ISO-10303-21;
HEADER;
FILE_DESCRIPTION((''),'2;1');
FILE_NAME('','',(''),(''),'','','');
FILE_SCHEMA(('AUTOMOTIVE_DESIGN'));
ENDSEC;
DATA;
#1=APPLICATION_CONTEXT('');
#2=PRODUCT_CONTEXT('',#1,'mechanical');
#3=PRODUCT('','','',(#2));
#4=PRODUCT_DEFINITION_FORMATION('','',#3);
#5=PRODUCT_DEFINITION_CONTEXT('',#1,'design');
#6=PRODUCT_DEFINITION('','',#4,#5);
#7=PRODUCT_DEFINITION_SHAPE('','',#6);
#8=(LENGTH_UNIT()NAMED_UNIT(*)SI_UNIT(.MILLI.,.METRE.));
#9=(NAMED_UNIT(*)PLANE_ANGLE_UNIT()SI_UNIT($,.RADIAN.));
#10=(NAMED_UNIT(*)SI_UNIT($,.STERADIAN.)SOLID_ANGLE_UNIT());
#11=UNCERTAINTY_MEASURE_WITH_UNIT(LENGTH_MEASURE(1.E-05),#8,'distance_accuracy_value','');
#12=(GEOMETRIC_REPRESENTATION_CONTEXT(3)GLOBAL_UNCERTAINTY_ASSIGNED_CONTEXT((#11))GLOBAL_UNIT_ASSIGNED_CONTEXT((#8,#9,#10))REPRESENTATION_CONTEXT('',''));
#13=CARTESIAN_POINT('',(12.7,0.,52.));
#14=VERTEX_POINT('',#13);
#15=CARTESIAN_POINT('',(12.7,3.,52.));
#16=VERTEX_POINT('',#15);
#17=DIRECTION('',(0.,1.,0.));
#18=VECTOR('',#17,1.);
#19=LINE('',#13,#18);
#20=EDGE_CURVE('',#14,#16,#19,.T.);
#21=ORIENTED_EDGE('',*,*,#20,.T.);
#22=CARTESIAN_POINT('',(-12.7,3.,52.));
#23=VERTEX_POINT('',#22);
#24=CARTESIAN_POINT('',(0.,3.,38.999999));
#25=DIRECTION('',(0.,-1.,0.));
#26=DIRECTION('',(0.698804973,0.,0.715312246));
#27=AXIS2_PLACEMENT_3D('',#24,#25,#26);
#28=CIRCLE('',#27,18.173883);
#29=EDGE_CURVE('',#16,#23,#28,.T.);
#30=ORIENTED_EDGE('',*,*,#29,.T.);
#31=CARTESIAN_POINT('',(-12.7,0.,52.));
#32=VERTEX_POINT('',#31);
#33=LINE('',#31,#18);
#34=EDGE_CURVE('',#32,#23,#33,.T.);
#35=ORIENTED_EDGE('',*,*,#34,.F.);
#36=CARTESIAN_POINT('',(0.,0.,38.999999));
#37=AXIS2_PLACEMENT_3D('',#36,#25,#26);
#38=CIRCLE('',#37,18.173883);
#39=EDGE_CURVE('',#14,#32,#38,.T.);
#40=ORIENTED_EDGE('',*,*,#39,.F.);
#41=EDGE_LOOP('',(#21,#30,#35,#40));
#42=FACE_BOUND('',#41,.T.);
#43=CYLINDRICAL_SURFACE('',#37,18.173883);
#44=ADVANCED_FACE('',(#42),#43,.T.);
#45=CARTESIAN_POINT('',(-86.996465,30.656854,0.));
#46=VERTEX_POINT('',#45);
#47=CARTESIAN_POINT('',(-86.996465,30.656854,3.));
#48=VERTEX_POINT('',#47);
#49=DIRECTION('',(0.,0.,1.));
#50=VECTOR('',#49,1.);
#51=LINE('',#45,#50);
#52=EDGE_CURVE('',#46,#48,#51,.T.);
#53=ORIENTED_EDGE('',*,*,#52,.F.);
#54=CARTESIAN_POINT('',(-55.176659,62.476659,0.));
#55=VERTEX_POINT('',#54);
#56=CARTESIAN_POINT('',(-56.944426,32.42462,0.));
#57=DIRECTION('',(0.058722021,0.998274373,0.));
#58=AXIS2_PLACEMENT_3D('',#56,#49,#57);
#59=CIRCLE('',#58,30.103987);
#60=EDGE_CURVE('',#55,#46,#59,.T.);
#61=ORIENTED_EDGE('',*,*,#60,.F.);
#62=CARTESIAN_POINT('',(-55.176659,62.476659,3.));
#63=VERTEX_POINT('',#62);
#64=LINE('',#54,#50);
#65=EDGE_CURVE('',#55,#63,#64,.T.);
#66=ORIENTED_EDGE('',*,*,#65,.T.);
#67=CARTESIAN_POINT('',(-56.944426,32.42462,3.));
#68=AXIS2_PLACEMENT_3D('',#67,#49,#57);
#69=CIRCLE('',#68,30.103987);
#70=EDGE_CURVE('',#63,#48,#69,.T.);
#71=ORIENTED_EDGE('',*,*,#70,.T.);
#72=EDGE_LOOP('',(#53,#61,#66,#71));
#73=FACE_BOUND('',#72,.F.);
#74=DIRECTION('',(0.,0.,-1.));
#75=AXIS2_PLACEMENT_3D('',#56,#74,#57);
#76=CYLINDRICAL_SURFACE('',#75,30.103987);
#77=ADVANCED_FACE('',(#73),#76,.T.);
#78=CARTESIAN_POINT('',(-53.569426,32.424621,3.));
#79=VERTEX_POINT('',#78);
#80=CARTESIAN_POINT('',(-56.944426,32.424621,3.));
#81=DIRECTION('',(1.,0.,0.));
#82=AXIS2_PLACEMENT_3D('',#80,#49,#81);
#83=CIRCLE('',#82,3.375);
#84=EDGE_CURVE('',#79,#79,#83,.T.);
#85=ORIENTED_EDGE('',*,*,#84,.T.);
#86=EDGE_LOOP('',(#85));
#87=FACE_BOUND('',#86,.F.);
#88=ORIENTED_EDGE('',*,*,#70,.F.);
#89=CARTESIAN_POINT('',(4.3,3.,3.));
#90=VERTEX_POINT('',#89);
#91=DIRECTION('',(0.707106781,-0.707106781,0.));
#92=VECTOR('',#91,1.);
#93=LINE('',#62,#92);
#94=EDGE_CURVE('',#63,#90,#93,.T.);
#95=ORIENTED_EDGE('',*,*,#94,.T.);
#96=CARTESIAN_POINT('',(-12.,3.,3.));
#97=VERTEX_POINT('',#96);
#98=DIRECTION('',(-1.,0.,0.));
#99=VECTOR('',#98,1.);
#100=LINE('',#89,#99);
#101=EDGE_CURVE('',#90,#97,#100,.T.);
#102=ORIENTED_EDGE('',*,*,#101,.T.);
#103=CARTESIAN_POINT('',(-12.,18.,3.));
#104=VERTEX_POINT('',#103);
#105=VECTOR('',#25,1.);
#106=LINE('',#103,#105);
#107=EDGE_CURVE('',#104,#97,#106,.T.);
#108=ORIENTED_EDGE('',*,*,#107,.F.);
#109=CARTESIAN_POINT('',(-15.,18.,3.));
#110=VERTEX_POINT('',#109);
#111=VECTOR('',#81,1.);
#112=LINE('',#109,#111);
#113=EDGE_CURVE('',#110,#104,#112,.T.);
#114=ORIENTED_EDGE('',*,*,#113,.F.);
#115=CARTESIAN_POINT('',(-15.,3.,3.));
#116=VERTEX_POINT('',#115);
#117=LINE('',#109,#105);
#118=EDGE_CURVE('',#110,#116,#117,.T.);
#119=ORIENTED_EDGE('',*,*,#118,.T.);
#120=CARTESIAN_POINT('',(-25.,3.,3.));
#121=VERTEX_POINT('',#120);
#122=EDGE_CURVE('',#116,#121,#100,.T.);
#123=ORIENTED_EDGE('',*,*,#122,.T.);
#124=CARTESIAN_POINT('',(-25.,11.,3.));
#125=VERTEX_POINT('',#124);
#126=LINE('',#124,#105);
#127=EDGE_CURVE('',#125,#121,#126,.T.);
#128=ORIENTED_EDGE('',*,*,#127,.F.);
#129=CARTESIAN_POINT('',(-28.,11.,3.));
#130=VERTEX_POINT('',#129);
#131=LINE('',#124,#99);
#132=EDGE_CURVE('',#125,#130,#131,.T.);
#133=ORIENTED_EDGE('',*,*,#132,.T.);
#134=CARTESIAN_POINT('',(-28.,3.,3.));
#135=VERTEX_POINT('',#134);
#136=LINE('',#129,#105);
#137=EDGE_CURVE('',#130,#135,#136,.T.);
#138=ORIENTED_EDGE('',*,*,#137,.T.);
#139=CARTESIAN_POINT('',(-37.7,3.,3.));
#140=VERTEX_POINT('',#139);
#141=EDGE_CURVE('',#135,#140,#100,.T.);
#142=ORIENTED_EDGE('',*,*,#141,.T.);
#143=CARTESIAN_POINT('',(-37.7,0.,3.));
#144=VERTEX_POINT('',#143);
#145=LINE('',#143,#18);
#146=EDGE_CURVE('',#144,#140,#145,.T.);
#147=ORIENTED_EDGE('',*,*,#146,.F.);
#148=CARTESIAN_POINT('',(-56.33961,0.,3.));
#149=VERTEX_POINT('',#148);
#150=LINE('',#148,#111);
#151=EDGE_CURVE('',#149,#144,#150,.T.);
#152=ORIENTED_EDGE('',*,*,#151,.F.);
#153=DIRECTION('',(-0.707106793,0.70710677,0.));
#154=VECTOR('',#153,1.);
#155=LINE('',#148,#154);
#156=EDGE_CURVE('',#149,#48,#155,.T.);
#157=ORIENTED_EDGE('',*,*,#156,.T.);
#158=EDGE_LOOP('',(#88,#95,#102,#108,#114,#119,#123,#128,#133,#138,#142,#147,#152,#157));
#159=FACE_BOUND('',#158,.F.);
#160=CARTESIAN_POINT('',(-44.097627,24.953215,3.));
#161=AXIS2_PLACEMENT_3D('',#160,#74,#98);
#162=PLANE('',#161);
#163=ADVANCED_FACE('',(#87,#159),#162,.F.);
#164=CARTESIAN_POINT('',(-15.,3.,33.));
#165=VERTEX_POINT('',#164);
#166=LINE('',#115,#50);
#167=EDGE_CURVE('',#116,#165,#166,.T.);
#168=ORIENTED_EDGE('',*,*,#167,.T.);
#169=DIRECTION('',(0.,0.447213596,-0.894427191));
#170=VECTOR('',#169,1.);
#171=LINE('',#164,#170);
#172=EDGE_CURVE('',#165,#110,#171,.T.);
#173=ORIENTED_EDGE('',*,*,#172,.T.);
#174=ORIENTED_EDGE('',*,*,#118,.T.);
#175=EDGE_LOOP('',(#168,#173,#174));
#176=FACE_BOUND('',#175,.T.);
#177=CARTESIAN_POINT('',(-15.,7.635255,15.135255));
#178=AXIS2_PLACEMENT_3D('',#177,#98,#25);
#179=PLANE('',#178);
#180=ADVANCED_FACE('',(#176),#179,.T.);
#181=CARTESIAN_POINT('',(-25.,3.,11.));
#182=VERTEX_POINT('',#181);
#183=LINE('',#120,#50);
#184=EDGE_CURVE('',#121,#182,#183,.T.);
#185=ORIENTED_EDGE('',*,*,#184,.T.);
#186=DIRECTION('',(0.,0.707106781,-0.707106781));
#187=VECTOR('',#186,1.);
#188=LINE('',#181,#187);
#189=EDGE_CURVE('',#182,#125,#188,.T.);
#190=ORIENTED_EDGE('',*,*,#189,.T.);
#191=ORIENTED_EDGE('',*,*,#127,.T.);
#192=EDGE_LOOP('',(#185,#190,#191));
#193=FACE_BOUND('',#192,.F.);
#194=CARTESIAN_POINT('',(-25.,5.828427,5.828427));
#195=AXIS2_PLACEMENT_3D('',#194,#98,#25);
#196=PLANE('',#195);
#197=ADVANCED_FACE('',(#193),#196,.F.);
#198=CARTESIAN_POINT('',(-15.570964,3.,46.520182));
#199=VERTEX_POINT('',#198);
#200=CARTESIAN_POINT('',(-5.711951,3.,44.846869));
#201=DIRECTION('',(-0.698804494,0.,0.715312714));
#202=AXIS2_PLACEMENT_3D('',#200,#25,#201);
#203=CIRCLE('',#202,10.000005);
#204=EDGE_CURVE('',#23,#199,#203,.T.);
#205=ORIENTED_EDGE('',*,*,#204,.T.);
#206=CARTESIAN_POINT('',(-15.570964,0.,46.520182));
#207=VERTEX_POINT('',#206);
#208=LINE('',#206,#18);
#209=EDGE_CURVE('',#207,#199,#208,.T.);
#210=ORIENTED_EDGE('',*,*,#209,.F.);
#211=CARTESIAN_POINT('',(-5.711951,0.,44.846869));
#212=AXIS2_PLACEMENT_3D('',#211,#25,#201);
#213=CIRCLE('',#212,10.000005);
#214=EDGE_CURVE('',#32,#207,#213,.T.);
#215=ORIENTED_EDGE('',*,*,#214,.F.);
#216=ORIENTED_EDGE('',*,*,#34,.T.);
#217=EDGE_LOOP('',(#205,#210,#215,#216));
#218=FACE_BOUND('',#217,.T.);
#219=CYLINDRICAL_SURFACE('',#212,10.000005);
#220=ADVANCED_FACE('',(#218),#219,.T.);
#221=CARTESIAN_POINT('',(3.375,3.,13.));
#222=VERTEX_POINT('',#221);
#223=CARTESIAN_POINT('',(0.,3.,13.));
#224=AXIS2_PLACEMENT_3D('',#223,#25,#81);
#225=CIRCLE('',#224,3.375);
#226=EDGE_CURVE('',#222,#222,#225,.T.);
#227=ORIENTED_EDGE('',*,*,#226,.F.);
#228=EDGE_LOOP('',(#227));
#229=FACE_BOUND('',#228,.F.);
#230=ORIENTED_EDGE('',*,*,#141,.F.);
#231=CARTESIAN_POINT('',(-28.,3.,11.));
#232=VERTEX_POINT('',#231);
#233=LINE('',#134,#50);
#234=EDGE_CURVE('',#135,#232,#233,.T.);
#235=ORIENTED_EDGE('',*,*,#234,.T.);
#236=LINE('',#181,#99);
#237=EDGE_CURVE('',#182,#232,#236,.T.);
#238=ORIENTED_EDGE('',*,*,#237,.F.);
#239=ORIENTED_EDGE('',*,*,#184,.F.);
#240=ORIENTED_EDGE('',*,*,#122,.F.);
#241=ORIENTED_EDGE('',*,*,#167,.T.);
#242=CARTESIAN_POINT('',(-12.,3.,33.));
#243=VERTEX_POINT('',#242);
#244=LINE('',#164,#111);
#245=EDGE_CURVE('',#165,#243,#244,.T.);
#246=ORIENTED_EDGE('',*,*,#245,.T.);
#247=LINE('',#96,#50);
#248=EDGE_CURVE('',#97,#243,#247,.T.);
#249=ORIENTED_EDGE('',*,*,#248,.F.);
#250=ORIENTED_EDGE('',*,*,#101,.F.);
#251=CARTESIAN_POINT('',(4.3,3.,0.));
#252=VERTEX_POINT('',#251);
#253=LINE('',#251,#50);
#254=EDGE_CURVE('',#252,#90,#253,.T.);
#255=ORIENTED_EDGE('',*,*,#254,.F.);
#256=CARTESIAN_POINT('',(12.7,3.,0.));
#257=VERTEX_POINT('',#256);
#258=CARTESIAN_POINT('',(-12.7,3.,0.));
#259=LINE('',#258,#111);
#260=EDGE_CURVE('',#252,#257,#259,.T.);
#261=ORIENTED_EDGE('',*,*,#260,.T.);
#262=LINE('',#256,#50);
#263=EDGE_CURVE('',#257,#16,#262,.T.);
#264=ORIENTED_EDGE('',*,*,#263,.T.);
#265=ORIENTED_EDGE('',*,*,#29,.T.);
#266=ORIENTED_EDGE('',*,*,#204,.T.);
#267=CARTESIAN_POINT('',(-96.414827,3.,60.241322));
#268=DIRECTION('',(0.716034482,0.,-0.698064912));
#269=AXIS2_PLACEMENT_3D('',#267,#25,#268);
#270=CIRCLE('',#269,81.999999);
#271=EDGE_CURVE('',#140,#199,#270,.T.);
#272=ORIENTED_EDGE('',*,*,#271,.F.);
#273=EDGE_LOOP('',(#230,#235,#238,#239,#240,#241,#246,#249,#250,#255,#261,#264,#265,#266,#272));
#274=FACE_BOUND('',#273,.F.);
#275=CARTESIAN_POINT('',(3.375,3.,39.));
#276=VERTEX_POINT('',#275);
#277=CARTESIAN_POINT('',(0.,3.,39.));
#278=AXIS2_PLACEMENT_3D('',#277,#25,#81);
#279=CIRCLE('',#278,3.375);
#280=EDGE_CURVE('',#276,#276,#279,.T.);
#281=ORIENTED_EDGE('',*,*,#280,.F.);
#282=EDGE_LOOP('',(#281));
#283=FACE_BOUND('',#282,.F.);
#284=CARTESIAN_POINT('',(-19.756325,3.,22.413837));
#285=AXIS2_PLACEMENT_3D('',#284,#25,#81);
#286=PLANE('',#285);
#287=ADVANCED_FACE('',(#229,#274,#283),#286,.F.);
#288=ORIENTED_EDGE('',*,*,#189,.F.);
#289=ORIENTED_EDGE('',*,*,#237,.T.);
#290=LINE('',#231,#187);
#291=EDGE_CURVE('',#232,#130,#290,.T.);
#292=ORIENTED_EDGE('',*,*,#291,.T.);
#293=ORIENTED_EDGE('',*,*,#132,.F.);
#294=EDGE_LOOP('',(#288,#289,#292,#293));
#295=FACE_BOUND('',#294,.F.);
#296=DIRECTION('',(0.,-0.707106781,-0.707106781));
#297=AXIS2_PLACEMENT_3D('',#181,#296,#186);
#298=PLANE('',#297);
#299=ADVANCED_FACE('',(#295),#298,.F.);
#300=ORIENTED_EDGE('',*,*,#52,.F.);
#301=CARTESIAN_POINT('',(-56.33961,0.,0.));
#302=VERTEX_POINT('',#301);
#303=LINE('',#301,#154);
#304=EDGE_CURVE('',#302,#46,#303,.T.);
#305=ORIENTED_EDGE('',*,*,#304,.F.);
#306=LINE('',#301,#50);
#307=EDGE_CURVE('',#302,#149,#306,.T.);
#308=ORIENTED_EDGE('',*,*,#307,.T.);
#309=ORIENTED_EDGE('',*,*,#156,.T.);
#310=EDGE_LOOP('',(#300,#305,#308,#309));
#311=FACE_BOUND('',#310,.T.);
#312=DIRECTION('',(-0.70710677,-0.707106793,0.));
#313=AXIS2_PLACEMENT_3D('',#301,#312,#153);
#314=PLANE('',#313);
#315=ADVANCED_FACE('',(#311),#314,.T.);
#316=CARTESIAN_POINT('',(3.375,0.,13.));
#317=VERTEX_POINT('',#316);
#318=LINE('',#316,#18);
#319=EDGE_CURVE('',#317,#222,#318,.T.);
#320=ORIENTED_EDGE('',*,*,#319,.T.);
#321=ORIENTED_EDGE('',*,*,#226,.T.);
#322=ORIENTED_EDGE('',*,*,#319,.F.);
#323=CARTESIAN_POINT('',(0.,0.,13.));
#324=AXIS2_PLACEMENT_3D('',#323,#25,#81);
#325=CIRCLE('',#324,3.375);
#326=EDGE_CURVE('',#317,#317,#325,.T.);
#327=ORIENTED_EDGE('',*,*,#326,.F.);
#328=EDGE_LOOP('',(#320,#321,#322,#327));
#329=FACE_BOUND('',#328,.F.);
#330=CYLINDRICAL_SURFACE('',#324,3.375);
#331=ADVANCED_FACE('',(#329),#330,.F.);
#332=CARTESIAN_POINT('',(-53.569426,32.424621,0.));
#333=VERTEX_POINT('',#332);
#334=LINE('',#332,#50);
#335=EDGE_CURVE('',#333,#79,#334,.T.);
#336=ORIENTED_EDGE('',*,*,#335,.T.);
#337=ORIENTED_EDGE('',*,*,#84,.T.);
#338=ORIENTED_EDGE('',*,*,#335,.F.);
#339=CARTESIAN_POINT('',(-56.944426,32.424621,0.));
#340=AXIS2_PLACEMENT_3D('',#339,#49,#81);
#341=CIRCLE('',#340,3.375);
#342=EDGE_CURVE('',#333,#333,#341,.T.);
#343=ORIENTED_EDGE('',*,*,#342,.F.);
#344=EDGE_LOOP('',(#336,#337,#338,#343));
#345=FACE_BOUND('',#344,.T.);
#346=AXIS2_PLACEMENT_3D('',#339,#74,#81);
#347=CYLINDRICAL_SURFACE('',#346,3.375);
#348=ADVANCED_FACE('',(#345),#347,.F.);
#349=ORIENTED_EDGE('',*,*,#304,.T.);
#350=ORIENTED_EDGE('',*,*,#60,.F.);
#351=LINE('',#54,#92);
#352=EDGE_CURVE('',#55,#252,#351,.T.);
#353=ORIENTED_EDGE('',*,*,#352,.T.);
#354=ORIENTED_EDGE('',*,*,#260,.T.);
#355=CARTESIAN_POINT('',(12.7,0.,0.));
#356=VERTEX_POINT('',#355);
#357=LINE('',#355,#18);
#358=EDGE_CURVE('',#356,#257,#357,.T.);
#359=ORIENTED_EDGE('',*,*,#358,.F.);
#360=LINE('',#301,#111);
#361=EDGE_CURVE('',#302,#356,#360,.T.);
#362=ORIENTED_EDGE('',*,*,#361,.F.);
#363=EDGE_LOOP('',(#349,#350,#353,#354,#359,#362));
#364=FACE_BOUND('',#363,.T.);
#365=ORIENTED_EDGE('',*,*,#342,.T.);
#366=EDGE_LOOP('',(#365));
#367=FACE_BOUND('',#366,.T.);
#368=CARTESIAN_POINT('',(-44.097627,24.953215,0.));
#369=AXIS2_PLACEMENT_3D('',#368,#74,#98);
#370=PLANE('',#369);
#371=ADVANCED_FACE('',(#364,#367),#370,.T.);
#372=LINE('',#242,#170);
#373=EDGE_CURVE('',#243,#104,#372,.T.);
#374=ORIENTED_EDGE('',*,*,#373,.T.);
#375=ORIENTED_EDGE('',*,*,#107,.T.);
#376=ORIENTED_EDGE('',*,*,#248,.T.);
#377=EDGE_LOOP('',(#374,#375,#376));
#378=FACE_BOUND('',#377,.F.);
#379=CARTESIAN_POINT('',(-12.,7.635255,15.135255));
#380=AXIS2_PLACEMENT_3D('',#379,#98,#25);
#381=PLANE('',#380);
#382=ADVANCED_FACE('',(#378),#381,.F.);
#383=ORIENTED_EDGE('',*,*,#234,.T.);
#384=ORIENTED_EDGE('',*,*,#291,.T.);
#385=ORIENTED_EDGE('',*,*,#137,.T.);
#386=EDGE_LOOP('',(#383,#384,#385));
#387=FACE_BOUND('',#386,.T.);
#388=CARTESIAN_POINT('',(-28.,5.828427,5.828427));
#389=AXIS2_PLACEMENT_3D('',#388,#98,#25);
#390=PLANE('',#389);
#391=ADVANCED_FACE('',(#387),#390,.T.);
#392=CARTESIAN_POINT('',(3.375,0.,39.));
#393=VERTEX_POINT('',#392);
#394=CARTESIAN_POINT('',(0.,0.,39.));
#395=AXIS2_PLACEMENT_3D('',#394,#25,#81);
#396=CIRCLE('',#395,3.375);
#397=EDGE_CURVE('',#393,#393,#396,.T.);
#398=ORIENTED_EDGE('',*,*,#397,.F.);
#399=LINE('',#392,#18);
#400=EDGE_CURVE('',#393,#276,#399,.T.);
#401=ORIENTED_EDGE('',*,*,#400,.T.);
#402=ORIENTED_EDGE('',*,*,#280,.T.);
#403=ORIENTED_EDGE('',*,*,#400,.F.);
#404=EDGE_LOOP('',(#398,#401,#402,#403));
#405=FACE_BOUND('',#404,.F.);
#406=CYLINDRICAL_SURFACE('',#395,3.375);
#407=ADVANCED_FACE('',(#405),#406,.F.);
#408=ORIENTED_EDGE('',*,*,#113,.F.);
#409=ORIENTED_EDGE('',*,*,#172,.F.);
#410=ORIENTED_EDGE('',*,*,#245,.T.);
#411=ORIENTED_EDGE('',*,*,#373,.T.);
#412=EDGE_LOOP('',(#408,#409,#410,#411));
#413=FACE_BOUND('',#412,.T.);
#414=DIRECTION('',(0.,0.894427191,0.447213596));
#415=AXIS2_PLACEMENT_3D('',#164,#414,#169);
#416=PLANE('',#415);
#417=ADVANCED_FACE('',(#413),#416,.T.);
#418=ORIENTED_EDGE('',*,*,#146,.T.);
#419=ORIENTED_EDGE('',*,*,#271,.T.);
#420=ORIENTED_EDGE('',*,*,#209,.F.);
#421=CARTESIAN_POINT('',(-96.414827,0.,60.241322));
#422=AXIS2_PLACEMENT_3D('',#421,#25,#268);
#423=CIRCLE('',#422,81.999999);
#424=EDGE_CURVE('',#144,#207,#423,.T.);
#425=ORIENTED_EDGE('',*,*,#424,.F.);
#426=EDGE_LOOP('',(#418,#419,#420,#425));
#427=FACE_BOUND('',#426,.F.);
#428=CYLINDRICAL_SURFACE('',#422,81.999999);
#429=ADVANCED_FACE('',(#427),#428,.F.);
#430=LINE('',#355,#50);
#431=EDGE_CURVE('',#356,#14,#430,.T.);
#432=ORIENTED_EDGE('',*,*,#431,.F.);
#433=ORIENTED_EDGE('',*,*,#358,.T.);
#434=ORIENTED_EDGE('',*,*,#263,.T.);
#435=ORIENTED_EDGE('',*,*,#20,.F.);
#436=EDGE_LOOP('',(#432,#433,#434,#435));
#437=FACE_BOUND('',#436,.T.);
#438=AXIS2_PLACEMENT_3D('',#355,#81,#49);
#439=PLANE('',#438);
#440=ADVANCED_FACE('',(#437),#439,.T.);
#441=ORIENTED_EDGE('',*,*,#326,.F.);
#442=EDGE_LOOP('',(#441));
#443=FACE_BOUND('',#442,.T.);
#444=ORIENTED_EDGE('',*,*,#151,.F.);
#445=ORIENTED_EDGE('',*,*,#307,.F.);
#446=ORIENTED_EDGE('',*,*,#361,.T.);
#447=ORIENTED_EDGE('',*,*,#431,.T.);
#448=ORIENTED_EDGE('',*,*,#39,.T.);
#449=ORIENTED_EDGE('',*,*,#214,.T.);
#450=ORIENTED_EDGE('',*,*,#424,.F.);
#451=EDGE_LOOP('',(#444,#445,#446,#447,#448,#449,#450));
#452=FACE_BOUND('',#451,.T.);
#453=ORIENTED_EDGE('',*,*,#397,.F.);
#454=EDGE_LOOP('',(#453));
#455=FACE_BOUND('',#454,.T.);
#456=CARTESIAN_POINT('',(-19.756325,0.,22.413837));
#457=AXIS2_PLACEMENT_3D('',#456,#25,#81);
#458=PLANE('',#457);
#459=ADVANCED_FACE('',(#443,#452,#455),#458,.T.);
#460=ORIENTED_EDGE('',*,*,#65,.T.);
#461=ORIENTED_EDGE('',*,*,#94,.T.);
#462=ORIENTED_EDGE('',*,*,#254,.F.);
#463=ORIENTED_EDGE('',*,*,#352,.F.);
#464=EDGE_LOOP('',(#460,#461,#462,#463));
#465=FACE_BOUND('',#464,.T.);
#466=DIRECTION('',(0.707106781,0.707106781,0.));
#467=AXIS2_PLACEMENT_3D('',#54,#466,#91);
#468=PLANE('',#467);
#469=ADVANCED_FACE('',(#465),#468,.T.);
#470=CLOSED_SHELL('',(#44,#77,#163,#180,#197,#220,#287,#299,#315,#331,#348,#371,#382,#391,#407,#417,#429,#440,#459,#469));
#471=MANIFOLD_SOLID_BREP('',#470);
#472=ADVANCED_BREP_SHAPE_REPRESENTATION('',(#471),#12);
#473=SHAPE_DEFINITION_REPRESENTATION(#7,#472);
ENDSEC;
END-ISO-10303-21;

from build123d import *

# Parameters (mm, degrees)
SKETCH_R     = 3.375
PAD_DEPTH    = 3
SKETCH001_R  = 3.375
PAD001_DEPTH = 3
PAD002_DEPTH = 3
PAD003_DEPTH = 3
PAD004_DEPTH = 3


with BuildPart() as part:
    # Sketch → Pad (new body)
    with BuildSketch(Plane.XZ):
        with BuildLine():
            Line((-12.7, 0), (12.7, 0))
            Line((12.7, 0), (12.7, 52))
            ThreePointArc((12.7, 52), (0, 57.173882), (-12.7, 52))
            Line((-12.7, 52), (-12.7, 0))
        make_face()
        with Locations((0, 39)):
            Circle(SKETCH_R, mode=Mode.SUBTRACT)
        with Locations((0, 13)):
            Circle(SKETCH_R, mode=Mode.SUBTRACT)
    extrude(amount=-PAD_DEPTH)

    # Sketch001 → Pad001 (join)
    with BuildSketch(Plane.XY):
        with BuildLine():
            Line((-56.33961, 0), (-86.996465, 30.656854))
            ThreePointArc((-55.176659, 62.476659), (-78.231159, 53.711354), (-86.996465, 30.656854))
            Line((-55.176659, 62.476659), (4.3, 3))
            Line((4.3, 3), (-12.7, 3))
            Line((-12.7, 3), (-12.7, 0))
            Line((-56.33961, 0), (-12.7, 0))
        make_face()
        with Locations((-56.944426, 32.424621)):
            Circle(SKETCH001_R, mode=Mode.SUBTRACT)
    extrude(amount=PAD001_DEPTH)

    # Sketch002 → Pad002 (join)
    with BuildSketch(Plane.XZ):
        with BuildLine():
            Line((-12.7, 3), (-12.7, 52))
            ThreePointArc((-12.7, 52), (-14.569884, 49.487681), (-15.570964, 46.520182))
            ThreePointArc((-37.7, 3), (-23.321335, 23.074922), (-15.570964, 46.520182))
            Line((-12.7, 3), (-37.7, 3))
        make_face()
    extrude(amount=-PAD002_DEPTH)

    # Sketch003 → Pad003 (join)
    with BuildSketch(Plane.YZ.offset(-15)):
        Polygon((3, 3), (3, 33), (18, 3), align=None)
    extrude(amount=PAD003_DEPTH)

    # Sketch004 → Pad004 (join)
    with BuildSketch(Plane.YZ.offset(-25)):
        Polygon((3, 3), (3, 11), (11, 3), align=None)
    extrude(amount=-PAD004_DEPTH)


solid = part.part
